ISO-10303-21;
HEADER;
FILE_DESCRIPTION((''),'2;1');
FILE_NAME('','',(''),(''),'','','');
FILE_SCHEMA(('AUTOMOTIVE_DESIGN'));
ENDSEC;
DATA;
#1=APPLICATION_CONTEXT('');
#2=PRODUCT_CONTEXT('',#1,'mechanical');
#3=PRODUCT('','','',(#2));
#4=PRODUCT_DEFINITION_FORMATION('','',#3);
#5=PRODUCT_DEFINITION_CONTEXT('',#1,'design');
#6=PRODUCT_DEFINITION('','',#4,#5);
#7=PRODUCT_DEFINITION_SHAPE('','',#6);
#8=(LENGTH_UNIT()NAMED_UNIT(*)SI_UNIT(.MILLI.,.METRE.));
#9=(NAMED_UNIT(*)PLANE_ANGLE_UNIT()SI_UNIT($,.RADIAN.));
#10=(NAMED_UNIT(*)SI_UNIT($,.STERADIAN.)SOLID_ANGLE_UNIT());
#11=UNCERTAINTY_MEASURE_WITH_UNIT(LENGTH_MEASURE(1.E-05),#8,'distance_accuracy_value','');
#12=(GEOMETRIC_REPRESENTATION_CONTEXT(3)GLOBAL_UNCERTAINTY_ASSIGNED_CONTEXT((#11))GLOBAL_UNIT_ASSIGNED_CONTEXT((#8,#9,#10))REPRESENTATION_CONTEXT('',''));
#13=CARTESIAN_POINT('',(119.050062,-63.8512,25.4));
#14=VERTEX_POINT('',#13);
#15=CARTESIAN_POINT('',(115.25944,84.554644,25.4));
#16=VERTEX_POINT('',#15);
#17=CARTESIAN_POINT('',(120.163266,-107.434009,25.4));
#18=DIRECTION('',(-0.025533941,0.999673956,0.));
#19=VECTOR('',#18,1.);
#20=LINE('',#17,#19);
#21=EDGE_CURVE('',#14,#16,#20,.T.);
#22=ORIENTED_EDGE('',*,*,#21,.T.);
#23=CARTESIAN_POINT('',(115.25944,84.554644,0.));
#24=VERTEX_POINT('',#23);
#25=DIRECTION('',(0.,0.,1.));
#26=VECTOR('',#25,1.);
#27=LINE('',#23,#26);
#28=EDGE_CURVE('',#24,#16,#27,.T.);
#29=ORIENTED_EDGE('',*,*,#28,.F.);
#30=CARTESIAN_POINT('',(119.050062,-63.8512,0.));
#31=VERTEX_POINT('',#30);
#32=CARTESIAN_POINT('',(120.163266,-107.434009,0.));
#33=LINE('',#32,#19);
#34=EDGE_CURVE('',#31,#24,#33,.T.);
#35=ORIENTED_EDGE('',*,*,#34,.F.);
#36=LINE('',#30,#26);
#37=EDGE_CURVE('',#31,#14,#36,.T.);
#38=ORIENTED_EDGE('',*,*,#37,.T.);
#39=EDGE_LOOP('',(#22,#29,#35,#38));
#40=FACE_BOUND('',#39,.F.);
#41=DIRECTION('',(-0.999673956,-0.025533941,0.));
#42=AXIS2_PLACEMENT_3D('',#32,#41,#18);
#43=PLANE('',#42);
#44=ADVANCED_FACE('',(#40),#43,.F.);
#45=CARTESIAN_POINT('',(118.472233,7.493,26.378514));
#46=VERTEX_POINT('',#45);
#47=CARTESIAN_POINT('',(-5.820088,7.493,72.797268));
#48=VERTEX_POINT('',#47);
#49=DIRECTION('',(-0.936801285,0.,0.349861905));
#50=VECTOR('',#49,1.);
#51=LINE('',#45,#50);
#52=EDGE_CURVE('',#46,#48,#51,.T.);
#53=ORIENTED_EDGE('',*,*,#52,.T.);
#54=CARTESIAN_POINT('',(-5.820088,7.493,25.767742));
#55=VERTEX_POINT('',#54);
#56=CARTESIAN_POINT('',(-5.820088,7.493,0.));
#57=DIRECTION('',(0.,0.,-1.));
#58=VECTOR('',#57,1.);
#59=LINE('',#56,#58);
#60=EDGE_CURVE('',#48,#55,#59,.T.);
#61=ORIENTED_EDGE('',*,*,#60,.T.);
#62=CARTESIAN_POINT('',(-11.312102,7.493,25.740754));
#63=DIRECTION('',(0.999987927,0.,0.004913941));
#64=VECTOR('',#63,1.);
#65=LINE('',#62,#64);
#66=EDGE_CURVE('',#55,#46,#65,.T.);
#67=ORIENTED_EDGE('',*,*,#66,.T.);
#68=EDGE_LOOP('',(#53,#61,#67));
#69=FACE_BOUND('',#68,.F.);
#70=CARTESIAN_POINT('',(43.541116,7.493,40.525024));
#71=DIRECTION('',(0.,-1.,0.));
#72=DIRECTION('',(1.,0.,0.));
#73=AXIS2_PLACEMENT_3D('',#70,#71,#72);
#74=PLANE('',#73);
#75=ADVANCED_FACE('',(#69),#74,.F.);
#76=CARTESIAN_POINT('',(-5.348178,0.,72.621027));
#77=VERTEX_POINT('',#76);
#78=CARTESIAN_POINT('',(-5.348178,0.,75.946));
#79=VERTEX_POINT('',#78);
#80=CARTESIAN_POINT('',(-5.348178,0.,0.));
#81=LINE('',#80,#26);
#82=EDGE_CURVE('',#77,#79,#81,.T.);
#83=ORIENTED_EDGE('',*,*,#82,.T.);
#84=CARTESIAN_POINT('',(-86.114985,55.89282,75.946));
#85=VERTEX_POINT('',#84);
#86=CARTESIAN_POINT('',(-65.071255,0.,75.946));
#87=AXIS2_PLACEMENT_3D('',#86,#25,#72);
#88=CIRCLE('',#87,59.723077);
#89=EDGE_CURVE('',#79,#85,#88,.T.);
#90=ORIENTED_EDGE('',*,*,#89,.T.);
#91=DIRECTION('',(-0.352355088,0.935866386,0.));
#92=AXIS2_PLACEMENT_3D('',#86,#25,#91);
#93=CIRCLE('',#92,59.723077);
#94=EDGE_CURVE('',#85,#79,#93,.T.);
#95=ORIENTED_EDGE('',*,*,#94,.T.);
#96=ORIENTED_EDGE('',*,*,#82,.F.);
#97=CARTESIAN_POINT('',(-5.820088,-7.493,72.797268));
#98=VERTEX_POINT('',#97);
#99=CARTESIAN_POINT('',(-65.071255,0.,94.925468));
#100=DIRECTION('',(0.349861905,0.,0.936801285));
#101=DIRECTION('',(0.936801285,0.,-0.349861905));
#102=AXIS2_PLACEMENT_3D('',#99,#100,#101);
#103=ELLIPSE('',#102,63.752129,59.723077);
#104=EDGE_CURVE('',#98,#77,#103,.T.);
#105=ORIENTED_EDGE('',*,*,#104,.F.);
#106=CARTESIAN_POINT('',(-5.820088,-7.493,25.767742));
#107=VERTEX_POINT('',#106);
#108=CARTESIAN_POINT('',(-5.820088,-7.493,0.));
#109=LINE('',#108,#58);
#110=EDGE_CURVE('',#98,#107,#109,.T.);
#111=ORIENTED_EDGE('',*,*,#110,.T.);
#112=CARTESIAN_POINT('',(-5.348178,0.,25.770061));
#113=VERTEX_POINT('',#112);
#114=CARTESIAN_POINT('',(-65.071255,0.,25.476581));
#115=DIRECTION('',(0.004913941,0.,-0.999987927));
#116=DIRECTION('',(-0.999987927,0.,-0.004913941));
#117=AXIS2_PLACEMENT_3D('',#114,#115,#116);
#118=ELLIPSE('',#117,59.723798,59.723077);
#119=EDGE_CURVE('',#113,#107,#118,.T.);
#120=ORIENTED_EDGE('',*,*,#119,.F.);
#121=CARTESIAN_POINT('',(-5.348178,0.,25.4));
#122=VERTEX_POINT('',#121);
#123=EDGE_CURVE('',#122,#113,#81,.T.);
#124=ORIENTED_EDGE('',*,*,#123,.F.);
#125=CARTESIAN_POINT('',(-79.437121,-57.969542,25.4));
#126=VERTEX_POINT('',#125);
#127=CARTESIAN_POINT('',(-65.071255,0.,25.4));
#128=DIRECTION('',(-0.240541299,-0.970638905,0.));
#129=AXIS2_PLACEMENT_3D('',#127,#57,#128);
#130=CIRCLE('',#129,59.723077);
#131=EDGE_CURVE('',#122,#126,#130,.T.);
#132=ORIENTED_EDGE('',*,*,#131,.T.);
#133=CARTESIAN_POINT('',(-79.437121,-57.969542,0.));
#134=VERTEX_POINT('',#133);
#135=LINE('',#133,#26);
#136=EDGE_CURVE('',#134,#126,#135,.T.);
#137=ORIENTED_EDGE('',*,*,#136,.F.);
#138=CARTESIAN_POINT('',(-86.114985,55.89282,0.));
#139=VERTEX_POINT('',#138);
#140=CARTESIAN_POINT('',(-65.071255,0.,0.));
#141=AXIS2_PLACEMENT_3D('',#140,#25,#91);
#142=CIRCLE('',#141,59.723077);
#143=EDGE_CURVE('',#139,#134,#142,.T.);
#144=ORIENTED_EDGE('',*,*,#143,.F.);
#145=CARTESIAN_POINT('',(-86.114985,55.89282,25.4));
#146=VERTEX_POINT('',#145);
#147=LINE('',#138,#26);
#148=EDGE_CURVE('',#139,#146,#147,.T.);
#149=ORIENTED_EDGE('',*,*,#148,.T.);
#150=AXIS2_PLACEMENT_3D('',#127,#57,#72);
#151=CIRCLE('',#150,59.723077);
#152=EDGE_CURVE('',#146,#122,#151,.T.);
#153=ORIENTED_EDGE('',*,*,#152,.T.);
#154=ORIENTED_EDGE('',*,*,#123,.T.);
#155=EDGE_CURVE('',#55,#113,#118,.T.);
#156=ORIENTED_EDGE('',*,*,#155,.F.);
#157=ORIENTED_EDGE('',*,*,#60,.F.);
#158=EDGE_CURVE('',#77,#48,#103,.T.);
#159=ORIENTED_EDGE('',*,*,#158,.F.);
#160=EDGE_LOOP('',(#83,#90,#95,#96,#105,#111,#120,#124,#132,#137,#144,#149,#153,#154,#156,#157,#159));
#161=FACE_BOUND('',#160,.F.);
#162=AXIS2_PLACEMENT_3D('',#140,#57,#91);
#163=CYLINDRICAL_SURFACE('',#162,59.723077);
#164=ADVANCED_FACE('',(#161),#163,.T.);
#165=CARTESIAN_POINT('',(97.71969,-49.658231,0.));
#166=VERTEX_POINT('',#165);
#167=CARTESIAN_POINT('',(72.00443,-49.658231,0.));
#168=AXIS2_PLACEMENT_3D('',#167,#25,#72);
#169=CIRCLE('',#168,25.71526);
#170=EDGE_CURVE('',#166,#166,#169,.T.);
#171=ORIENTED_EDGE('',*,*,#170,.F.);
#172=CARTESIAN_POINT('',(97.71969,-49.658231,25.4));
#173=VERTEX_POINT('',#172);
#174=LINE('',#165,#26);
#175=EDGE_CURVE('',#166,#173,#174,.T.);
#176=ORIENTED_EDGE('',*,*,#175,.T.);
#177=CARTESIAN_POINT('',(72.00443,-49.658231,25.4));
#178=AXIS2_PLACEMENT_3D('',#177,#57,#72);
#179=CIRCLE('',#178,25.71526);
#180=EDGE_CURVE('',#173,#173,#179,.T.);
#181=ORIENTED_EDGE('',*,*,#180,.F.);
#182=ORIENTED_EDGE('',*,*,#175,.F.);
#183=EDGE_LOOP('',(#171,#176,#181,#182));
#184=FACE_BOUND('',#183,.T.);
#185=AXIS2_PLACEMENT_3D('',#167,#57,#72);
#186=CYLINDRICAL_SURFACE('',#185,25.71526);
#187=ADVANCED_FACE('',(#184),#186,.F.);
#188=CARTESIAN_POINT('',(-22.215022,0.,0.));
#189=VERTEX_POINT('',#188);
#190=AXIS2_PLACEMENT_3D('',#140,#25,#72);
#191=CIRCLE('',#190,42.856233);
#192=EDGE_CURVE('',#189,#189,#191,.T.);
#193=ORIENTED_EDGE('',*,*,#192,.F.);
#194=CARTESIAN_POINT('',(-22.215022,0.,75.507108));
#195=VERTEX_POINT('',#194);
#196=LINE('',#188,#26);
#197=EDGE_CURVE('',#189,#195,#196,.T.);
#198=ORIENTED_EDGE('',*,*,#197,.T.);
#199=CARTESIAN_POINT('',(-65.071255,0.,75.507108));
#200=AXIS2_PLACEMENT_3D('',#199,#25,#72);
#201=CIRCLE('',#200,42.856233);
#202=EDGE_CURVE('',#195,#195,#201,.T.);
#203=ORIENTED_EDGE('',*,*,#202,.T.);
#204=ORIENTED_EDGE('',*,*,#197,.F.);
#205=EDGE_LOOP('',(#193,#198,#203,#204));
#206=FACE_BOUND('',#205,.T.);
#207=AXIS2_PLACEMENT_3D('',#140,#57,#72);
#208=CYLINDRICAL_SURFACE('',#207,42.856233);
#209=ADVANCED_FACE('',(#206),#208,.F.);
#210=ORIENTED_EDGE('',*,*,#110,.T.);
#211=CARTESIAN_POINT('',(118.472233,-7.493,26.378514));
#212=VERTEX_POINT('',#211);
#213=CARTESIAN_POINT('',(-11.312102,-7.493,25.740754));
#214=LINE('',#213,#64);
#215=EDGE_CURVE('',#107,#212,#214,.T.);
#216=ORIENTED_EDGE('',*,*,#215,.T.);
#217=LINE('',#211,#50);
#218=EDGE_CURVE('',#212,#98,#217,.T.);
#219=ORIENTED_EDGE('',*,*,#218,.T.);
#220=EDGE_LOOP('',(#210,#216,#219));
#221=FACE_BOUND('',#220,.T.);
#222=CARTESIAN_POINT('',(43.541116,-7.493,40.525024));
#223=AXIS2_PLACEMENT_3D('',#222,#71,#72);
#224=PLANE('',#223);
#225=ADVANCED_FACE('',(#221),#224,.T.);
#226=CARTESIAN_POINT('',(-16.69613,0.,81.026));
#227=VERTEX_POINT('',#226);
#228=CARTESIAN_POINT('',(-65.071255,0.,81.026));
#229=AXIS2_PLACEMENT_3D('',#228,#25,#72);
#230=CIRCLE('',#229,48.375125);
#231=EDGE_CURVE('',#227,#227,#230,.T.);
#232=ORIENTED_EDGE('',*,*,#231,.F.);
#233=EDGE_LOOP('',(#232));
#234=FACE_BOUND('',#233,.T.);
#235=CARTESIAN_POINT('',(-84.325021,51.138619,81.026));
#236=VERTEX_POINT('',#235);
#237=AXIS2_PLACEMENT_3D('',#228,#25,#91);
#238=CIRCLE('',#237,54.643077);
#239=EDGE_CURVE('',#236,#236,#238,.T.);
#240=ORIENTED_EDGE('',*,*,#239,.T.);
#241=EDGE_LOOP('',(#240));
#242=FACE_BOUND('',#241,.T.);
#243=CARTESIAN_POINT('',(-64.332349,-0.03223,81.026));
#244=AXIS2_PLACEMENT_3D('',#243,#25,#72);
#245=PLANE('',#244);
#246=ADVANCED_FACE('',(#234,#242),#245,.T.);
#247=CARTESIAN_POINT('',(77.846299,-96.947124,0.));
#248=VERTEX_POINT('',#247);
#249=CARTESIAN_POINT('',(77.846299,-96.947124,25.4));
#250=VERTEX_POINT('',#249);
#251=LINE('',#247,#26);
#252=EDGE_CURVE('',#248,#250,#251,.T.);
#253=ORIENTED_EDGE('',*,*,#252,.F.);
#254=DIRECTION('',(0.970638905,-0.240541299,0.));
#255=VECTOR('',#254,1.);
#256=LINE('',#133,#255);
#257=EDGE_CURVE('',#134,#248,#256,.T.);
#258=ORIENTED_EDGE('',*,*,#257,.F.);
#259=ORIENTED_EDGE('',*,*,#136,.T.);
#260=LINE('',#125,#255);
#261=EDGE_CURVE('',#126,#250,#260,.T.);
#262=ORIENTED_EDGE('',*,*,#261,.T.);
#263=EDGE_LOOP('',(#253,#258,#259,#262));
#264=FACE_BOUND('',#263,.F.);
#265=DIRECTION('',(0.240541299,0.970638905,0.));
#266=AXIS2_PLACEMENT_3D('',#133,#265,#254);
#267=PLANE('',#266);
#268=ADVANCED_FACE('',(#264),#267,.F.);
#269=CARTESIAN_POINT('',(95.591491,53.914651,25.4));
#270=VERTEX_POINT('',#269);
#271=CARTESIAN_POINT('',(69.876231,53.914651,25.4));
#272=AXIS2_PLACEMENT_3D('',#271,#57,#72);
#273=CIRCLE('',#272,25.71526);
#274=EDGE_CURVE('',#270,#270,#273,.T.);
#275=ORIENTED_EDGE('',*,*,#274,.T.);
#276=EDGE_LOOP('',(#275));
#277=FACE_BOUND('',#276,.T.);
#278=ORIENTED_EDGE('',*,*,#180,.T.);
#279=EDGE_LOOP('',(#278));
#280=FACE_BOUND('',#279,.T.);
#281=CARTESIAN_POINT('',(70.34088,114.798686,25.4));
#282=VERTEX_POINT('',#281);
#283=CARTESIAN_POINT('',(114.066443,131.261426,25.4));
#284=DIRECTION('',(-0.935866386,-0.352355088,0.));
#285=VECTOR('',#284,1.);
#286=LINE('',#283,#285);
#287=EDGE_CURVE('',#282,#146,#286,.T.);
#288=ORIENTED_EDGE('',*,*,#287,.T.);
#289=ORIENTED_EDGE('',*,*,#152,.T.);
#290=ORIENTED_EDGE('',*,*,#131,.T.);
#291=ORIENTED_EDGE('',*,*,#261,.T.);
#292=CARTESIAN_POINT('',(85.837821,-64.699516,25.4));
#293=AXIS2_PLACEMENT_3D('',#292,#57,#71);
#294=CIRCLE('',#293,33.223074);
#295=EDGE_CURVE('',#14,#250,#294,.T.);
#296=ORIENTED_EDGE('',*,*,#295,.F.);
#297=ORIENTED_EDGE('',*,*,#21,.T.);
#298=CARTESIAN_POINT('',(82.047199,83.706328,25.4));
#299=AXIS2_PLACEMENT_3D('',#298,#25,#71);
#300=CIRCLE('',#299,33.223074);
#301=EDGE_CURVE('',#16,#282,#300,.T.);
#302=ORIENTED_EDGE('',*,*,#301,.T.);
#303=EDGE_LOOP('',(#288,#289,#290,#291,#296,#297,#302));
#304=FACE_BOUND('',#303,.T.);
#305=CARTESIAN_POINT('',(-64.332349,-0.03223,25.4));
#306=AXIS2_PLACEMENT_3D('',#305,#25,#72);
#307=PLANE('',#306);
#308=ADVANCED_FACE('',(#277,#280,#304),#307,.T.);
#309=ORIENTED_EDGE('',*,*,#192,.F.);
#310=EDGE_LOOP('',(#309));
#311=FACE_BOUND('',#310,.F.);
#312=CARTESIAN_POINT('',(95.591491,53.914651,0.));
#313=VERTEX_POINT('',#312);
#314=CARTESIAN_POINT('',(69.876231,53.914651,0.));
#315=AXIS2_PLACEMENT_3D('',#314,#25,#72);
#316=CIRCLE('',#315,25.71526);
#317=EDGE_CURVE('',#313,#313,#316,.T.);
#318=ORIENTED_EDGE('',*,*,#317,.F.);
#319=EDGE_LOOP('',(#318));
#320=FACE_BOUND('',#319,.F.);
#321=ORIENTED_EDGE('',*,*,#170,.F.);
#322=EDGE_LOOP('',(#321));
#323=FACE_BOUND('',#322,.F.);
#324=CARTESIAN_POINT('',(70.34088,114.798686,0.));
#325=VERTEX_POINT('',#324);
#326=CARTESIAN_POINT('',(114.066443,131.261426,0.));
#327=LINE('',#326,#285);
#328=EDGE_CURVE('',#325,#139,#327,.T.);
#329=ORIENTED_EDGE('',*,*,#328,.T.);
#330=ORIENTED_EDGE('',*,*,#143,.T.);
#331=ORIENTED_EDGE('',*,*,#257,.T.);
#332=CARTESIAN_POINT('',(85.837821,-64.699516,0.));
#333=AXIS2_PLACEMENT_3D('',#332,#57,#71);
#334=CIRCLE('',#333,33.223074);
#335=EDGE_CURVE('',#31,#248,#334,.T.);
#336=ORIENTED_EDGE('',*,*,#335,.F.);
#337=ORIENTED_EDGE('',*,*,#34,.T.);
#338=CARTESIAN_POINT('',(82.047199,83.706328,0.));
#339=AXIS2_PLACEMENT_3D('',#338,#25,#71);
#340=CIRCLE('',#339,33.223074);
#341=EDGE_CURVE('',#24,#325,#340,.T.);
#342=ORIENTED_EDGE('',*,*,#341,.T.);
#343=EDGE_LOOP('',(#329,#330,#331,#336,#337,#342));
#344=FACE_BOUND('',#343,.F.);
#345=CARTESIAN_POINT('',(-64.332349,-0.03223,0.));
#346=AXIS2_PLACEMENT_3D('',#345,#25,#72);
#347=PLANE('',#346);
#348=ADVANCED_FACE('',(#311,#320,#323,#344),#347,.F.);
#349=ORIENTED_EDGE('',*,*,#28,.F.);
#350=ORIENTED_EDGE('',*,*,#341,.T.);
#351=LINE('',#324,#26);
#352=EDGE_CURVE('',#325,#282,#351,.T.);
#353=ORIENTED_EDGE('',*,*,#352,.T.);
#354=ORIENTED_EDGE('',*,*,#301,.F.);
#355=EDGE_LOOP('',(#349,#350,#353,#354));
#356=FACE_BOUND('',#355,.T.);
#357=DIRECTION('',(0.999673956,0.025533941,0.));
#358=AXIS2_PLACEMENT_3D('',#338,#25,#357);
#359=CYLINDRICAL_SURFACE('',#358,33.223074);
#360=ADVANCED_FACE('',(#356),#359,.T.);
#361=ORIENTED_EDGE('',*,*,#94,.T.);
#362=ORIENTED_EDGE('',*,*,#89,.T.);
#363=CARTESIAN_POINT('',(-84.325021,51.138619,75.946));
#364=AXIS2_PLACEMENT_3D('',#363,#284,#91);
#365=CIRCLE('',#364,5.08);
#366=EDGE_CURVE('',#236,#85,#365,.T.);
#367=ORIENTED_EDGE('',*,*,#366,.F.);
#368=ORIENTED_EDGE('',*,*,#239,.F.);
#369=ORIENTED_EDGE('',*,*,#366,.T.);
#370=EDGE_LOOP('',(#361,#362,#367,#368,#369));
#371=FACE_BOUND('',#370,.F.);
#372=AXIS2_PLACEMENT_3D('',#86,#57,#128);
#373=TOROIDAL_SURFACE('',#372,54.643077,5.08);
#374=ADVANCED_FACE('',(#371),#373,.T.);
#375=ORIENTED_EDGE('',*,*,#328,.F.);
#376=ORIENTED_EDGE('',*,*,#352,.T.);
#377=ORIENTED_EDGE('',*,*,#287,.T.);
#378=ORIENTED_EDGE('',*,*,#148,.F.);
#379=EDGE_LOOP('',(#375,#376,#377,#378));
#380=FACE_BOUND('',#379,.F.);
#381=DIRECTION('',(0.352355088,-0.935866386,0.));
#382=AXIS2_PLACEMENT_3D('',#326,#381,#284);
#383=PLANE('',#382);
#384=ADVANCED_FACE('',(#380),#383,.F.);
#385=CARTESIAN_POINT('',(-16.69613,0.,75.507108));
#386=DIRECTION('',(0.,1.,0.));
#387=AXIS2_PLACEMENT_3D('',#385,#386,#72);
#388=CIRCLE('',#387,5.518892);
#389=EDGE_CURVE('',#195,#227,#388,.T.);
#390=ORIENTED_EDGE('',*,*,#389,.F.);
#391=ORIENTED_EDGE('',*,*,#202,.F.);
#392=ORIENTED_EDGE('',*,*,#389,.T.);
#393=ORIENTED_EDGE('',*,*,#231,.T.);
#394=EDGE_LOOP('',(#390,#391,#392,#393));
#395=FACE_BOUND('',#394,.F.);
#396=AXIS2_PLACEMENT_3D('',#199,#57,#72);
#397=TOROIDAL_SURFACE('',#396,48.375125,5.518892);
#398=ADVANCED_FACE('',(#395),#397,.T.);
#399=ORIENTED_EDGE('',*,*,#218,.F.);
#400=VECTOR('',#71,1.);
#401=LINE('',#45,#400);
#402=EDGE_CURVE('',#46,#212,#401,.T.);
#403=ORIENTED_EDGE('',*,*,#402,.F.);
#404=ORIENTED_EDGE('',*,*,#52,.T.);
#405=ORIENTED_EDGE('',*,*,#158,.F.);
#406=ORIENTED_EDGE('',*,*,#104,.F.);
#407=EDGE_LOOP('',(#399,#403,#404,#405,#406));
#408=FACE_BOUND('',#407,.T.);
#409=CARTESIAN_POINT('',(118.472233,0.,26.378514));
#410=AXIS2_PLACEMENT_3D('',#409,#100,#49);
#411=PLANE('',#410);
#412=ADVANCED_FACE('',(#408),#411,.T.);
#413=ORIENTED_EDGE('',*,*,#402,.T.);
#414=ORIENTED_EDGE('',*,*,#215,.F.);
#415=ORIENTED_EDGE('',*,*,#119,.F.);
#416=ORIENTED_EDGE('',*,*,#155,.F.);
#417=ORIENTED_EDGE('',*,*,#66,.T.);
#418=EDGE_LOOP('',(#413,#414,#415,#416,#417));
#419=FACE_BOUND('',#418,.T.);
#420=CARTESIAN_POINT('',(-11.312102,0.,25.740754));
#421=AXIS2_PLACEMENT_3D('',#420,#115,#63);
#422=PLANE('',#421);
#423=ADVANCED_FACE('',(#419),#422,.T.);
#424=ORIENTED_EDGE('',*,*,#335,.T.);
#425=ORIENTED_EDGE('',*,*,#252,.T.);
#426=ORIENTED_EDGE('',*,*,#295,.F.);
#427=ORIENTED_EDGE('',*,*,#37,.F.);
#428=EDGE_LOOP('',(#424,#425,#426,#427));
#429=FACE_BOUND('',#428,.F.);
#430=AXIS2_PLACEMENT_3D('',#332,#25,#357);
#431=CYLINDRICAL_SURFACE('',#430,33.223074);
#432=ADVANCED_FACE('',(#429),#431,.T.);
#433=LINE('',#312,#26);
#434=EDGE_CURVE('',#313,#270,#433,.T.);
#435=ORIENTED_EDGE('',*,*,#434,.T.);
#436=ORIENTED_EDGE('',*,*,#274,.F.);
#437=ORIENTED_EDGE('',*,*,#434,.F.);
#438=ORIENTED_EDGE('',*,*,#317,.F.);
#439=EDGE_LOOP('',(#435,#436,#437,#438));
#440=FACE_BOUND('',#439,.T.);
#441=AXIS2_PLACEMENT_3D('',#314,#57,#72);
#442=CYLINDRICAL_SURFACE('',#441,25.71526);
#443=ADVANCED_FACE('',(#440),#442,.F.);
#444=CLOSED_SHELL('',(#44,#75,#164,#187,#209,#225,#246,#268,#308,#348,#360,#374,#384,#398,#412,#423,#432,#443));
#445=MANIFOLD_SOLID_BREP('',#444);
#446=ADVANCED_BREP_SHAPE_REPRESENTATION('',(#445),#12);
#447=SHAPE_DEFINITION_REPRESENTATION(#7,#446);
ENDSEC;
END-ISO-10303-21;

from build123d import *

# Parameters (mm, degrees)
F0_R     = 42.8562327702
F1_DEPTH = 25.4
F2_DEPTH = 81.026
F3_R     = 33.2230738651
F4_R     = 5.5188922036
F5_R     = 5.08
F6_R     = 25.7152601394
F7_DEPTH = 59.182
F9_DEPTH = 7.493


with BuildPart() as f1:
    # F0 (on Top) → F1 (new body)
    with BuildSketch(Plane.XY):
        with BuildLine():
            ThreePointArc((-79.4371213769, -57.9695416598), (-28.2685910836, -47.036260575), (-5.3481783741, 0))
            ThreePointArc((-5.3481783741, 0), (-31.0855992866, 49.1102951098), (-86.1149848851, 55.8928198351))
            ThreePointArc((-86.1149848851, 55.8928198351), (-124.6918824332, -3.4966639305), (-79.4371213769, -57.9695416598))
        make_face()
        with Locations((-65.0712549686, 0)):
            Circle(F0_R, mode=Mode.SUBTRACT)
        with BuildLine():
            ThreePointArc((-86.1149848851, 55.8928198351), (-31.0855992866, 49.1102951098), (-5.3481783741, 0))
            ThreePointArc((-5.3481783741, 0), (-28.2685910836, -47.036260575), (-79.4371213769, -57.9695416598))
            Line((-79.4371213769, -57.9695416598), (120.1632661658, -107.4340090401))
            Line((120.1632661658, -107.4340090401), (114.0664431846, 131.2614256598))
            Line((114.0664431846, 131.2614256598), (-86.1149848851, 55.8928198351))
        make_face()
    extrude(amount=F1_DEPTH)

    # F0 (on Top) → F2 (join)
    with BuildSketch(Plane.XY):
        with BuildLine():
            ThreePointArc((-79.4371213769, -57.9695416598), (-28.2685910836, -47.036260575), (-5.3481783741, 0))
            ThreePointArc((-5.3481783741, 0), (-31.0855992866, 49.1102951098), (-86.1149848851, 55.8928198351))
            ThreePointArc((-86.1149848851, 55.8928198351), (-124.6918824332, -3.4966639305), (-79.4371213769, -57.9695416598))
        make_face()
        with Locations((-65.0712549686, 0)):
            Circle(F0_R, mode=Mode.SUBTRACT)
    extrude(amount=F2_DEPTH)

    # F3
    f3_edges = [f1.edges().sort_by_distance(p)[0] for p in [
        (120.163266, -107.434009, 12.7),
        (114.066443, 131.261426, 12.7),
    ]]
    fillet(f3_edges, radius=F3_R)

    # F4
    f4_edges = [f1.edges().sort_by_distance(p)[0] for p in [
        (-107.927488, 0, 81.026),
    ]]
    fillet(f4_edges, radius=F4_R)

    # F5
    f5_edges = [f1.edges().sort_by_distance(p)[0] for p in [
        (-44.027525, -55.89282, 81.026),
    ]]
    fillet(f5_edges, radius=F5_R)

    # F6 (on Top) → F7 (cut)
    with BuildSketch(Plane.XY):
        with Locations((72.004429996, -49.6582314372)):
            Circle(F6_R)
        with Locations((69.8762312531, 53.9146512747)):
            Circle(F6_R)
    extrude(amount=F7_DEPTH, mode=Mode.SUBTRACT)

    # F8 (on Front) → F9 (join, symmetric)
    with BuildSketch(Plane.XZ):
        Polygon((-11.3121019676, 25.740753975), (118.4722334146, 26.3785142452), (-11.3121019676, 74.8483398067), align=None)
    extrude(amount=F9_DEPTH, both=True)


solid = f1.part
